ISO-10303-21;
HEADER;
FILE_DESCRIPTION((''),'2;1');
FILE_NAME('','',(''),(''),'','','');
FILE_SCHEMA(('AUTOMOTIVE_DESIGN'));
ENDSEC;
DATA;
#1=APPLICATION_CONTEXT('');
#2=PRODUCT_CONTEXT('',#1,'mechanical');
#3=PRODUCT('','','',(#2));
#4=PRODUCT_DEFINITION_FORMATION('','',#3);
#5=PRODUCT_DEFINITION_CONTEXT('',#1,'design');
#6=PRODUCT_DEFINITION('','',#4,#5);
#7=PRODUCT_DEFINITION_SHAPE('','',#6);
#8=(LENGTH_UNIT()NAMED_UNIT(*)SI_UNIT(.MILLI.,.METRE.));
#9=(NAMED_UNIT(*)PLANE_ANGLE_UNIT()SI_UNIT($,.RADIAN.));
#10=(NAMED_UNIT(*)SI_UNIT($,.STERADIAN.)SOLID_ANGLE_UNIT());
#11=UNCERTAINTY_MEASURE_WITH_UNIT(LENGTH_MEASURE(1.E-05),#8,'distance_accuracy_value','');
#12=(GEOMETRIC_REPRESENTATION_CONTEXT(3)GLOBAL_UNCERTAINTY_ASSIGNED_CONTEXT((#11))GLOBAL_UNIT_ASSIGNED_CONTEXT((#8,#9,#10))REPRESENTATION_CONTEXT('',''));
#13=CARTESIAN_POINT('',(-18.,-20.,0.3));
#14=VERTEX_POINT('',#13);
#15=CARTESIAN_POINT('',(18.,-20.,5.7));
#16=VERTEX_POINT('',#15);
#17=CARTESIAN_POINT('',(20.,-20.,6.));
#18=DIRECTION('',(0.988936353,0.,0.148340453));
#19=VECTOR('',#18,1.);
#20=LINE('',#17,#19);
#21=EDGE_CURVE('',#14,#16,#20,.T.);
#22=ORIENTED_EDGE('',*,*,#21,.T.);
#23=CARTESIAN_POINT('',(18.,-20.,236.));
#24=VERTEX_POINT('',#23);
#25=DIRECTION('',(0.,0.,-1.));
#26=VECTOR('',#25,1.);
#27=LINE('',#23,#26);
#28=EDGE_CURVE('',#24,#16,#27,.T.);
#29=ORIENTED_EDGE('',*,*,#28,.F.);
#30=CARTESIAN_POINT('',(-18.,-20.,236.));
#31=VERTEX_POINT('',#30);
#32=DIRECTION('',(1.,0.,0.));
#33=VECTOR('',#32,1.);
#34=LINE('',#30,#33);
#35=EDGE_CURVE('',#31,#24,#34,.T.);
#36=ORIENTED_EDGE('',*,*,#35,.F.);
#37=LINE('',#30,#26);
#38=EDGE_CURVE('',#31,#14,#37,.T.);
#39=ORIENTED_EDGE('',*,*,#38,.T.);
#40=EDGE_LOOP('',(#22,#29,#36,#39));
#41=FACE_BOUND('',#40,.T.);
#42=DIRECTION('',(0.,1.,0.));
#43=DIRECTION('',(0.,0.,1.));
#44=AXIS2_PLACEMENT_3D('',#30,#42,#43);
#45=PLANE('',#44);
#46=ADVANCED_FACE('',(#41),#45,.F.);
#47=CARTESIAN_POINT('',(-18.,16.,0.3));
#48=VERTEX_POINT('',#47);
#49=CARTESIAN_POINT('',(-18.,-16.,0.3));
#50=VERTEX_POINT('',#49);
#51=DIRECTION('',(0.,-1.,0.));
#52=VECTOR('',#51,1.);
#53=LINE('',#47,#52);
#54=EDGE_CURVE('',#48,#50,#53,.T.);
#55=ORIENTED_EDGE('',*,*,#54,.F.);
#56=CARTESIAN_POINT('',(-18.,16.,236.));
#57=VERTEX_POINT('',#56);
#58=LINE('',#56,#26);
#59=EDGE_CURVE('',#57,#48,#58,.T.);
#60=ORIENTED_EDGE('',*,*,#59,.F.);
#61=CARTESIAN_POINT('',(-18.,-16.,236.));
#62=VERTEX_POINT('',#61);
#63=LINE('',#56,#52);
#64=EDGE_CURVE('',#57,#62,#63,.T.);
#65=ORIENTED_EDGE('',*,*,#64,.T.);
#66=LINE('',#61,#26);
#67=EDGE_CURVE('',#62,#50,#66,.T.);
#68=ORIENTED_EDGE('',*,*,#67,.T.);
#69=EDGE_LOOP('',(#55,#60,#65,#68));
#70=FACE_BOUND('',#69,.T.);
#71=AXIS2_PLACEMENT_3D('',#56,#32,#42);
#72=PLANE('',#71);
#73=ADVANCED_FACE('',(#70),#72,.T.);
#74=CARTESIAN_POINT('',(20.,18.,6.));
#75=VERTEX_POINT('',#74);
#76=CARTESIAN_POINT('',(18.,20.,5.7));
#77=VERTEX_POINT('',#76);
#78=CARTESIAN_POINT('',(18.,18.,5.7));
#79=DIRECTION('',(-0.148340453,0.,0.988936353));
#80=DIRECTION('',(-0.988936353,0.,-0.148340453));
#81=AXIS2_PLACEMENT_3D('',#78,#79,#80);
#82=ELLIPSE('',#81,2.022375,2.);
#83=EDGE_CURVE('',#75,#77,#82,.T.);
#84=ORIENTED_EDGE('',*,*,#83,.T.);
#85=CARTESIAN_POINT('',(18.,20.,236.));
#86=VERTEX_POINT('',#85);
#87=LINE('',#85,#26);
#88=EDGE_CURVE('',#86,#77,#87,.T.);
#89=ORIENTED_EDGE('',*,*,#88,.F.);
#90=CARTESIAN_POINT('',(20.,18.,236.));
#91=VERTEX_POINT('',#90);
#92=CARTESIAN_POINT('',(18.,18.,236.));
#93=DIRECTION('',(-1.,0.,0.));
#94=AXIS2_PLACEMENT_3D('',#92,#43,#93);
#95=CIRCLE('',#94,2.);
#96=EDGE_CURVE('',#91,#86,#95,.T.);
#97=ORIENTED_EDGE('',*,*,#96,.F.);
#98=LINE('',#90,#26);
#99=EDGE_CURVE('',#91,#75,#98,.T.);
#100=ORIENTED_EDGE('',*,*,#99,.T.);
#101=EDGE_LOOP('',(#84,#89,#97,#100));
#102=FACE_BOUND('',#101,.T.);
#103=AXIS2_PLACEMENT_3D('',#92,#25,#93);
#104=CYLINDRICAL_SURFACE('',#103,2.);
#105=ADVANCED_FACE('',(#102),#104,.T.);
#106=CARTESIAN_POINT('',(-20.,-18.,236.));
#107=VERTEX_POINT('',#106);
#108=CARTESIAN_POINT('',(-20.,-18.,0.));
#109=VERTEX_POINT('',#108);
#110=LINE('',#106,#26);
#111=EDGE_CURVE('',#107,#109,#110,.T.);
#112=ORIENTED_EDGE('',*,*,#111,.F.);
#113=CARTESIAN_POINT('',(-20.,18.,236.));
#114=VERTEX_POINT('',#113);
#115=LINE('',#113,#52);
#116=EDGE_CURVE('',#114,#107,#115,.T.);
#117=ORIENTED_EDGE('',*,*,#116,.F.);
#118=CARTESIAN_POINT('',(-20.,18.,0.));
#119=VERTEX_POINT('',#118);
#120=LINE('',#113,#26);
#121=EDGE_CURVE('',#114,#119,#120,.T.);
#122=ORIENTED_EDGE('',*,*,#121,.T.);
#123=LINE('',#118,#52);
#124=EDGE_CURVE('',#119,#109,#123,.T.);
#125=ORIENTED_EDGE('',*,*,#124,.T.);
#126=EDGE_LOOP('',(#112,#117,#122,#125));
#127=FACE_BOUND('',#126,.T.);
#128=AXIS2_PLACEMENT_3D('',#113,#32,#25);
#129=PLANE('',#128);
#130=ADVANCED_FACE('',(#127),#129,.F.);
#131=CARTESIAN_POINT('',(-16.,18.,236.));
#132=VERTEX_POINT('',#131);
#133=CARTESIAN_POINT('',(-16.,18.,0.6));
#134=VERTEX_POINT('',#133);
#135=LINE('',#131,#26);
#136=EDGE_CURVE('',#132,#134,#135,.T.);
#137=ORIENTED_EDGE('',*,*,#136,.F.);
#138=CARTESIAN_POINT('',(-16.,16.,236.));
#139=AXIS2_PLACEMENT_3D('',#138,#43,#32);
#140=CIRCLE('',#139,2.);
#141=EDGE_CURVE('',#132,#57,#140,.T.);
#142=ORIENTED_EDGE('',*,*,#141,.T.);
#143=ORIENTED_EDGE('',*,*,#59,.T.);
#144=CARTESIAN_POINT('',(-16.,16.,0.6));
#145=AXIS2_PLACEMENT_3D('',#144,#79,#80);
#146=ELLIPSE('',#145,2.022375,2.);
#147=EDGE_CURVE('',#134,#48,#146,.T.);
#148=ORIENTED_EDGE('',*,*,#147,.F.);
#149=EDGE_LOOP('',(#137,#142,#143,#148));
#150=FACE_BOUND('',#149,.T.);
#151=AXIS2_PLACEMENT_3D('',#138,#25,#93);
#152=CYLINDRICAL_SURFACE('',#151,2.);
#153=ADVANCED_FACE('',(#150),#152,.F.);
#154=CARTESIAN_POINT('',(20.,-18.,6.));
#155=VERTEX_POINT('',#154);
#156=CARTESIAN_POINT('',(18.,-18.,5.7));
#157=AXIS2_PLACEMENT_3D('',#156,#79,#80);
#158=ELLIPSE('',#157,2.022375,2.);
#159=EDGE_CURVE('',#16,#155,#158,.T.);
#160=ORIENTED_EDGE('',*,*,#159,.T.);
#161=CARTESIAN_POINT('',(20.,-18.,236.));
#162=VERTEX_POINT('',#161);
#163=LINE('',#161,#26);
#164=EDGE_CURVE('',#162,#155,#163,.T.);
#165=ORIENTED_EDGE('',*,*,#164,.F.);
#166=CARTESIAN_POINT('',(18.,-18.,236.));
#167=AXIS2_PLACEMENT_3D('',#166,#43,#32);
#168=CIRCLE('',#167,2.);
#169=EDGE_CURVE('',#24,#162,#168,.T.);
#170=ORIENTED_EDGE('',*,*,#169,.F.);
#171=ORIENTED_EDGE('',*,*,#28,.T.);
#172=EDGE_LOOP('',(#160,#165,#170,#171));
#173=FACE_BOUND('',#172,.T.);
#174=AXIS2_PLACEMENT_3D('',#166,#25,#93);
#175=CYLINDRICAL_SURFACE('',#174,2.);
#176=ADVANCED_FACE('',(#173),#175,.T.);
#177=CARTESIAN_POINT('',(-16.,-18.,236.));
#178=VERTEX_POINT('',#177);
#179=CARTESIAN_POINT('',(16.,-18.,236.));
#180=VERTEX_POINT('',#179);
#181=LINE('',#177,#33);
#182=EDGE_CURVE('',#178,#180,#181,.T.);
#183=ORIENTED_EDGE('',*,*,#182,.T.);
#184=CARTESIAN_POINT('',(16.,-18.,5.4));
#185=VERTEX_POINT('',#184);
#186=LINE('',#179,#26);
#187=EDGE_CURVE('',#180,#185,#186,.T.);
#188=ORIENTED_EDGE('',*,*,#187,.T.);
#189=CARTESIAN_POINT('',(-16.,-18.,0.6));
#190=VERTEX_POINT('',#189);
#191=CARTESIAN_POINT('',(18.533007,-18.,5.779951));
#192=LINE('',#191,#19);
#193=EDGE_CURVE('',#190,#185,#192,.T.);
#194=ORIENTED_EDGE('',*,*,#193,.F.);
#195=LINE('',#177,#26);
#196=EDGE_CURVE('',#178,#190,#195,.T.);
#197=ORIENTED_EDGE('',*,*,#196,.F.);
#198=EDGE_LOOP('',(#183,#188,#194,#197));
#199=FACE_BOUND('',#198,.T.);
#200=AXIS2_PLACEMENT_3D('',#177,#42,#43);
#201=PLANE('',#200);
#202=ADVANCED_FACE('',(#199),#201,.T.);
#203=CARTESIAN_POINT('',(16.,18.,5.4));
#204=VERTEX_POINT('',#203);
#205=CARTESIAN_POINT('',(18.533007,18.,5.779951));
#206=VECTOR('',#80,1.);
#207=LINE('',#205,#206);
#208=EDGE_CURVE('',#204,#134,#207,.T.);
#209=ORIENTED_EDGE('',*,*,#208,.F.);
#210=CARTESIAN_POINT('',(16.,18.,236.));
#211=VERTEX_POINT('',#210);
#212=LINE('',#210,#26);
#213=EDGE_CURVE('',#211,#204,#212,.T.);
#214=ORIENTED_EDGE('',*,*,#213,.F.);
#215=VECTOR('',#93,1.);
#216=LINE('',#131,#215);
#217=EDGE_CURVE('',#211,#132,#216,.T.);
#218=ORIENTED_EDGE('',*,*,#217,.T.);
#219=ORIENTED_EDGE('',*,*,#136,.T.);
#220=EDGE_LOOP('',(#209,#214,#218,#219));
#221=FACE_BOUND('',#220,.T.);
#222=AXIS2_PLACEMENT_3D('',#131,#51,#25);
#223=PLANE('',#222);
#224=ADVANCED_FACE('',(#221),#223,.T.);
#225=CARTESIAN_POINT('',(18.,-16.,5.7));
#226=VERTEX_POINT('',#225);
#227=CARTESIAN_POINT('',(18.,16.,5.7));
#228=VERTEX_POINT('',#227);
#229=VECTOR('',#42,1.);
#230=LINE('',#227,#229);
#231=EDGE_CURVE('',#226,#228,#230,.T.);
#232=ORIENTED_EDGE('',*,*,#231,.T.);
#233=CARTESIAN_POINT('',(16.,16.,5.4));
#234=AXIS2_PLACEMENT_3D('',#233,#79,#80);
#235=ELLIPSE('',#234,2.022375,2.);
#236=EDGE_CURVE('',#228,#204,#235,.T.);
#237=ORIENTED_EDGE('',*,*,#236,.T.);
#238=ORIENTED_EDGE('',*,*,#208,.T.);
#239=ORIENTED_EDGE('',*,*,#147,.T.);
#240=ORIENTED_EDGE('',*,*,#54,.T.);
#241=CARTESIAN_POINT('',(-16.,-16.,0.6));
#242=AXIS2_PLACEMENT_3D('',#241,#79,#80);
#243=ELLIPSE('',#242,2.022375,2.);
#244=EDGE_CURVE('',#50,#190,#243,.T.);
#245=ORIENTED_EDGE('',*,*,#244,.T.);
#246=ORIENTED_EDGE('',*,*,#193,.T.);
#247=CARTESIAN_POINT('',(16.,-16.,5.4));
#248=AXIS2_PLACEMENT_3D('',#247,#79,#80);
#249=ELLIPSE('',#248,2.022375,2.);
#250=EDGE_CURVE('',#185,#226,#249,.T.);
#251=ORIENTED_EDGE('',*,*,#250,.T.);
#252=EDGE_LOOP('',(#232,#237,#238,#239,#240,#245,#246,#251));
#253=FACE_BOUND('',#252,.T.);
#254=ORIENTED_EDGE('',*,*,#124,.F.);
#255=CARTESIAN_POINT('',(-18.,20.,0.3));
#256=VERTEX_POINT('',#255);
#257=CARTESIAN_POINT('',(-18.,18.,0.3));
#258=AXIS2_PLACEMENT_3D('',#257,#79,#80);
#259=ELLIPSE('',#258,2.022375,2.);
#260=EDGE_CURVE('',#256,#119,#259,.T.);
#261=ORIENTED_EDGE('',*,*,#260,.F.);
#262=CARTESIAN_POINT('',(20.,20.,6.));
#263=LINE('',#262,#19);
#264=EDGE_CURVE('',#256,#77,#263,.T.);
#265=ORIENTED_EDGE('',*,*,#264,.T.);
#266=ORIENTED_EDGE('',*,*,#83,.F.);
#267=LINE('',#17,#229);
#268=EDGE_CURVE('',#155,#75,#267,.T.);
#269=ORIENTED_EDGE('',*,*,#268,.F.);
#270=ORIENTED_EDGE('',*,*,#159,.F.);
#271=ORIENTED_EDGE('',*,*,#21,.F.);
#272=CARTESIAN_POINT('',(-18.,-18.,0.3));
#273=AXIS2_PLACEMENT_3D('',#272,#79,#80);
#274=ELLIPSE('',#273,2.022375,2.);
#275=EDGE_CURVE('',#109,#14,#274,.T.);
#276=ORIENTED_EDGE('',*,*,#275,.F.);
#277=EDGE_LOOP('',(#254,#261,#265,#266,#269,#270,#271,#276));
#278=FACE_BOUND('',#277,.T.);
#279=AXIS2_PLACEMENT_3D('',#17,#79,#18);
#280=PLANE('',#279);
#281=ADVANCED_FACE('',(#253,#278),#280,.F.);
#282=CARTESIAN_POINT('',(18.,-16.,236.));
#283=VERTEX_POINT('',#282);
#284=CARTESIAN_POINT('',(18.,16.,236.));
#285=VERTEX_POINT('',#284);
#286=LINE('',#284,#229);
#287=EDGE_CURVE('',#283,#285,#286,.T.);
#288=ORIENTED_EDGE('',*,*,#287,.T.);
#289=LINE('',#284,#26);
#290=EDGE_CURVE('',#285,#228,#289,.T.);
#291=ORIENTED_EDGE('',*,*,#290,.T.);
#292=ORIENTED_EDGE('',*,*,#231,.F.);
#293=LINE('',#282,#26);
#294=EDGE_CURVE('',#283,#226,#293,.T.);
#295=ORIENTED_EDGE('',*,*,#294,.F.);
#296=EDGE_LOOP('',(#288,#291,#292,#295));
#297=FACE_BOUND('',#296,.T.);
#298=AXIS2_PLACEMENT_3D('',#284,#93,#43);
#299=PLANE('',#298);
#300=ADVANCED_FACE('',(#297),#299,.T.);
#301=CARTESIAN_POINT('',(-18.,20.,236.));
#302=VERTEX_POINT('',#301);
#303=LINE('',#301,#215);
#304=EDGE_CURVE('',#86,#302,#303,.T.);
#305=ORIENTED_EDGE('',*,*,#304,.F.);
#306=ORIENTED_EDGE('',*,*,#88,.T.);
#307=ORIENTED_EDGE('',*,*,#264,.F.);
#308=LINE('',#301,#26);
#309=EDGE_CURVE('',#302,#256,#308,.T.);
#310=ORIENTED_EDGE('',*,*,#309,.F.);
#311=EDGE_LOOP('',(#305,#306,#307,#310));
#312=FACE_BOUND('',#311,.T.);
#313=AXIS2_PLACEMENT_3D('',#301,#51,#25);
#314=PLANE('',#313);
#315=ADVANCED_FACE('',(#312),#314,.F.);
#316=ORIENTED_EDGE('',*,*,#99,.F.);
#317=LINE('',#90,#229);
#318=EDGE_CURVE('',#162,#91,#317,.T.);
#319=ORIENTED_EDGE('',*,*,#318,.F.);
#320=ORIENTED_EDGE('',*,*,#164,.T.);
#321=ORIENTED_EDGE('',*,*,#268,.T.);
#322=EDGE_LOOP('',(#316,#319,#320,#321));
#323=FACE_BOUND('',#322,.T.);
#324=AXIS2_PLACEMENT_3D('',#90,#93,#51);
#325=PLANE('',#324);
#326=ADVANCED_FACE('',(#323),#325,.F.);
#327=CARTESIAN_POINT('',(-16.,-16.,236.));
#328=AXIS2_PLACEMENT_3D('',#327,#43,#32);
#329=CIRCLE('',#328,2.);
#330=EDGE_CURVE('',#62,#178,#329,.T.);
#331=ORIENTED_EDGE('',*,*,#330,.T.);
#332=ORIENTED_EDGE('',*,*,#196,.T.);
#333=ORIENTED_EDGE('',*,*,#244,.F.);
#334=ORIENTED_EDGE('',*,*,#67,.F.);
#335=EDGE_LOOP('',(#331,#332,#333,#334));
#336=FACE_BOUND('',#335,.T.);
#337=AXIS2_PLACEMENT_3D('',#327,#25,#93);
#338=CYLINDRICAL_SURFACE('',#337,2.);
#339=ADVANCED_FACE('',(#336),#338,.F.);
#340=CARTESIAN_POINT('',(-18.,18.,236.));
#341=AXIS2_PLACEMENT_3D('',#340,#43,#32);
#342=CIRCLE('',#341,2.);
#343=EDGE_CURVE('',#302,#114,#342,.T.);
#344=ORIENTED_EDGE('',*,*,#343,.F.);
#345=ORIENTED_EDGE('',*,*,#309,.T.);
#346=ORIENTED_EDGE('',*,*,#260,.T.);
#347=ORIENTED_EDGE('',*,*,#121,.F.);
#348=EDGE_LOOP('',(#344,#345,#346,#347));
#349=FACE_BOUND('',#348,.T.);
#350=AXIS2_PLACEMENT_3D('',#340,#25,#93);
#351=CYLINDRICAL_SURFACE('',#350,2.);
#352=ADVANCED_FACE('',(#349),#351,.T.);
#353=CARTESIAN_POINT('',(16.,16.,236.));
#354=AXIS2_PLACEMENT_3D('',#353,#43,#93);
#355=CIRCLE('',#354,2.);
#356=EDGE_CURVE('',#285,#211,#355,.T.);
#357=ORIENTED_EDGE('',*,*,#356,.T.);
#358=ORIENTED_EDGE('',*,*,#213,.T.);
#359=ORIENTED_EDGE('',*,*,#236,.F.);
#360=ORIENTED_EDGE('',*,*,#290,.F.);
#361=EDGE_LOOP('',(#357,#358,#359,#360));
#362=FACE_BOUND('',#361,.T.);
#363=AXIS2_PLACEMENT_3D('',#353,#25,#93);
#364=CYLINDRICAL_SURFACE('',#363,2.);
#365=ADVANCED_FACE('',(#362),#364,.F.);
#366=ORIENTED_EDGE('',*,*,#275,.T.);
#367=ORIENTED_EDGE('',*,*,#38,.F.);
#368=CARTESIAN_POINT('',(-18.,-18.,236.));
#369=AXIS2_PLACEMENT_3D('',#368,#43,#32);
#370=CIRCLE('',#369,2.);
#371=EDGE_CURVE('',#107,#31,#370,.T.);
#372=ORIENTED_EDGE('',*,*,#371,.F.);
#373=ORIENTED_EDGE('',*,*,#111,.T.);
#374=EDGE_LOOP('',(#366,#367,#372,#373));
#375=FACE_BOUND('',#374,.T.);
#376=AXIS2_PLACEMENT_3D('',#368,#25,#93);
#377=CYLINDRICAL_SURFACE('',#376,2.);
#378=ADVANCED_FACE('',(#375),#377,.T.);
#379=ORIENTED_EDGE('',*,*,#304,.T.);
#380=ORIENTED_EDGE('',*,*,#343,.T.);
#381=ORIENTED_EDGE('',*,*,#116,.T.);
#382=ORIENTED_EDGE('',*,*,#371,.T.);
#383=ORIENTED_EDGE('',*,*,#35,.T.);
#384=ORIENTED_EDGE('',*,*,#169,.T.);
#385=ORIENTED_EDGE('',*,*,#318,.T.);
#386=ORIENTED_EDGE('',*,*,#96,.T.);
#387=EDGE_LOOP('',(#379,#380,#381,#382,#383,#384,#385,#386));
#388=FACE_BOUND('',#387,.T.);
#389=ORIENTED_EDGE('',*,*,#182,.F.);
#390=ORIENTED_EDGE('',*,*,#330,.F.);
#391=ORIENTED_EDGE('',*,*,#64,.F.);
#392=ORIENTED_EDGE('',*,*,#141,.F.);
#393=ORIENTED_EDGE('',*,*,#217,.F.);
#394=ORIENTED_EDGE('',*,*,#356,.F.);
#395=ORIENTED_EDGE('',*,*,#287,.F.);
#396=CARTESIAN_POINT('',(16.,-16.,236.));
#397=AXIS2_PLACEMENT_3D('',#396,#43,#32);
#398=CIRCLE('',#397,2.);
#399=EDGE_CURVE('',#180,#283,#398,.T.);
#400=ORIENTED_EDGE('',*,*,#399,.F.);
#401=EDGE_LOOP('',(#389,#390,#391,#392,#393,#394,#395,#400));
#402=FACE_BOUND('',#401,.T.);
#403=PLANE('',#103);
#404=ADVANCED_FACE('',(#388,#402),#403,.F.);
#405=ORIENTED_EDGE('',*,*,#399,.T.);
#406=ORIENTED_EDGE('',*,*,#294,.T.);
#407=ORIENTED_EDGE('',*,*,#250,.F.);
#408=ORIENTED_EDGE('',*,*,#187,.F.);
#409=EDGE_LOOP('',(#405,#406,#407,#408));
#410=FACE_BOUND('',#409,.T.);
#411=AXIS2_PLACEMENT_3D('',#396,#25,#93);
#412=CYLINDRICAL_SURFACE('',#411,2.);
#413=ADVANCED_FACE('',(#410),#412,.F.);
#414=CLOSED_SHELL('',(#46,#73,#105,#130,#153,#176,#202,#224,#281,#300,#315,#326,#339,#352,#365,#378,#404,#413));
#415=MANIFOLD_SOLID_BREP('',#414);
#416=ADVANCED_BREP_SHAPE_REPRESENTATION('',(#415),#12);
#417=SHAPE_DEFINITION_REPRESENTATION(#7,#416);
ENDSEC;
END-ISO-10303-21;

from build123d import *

# Parameters (mm, degrees)
EXTRUDE_1_DEPTH     = 236
CUT_EXTRUDE_1_DEPTH = 241.199916736


with BuildPart() as part:
    # Эскиз1 → Бобышка-Вытянуть1 (new body)
    with BuildSketch(Plane.XY):
        with BuildLine():
            Line((-18, 20), (18, 20))
            ThreePointArc((18, 20), (19.414213562, 19.414213562), (20, 18))
            Line((20, 18), (20, -18))
            ThreePointArc((20, -18), (19.414213562, -19.414213562), (18, -20))
            Line((18, -20), (-18, -20))
            ThreePointArc((-18, -20), (-19.414213562, -19.414213562), (-20, -18))
            Line((-20, -18), (-20, 18))
            ThreePointArc((-20, 18), (-19.414213562, 19.414213562), (-18, 20))
        make_face()
        with BuildLine():
            Line((-16, 18), (16, 18))
            ThreePointArc((16, 18), (17.414213562, 17.414213562), (18, 16))
            Line((18, 16), (18, -16))
            ThreePointArc((18, -16), (17.414213562, -17.414213562), (16, -18))
            Line((16, -18), (-16, -18))
            ThreePointArc((-16, -18), (-17.414213562, -17.414213562), (-18, -16))
            Line((-18, -16), (-18, 16))
            ThreePointArc((-18, 16), (-17.414213562, 17.414213562), (-16, 18))
        make_face(mode=Mode.SUBTRACT)
    extrude(amount=EXTRUDE_1_DEPTH)

    # Эскиз2 → Вырез-Вытянуть1 (cut, through all)
    with BuildSketch(Plane(origin=(0, 20, 0), x_dir=(1, 0, 0), z_dir=(0, 1, 0))):
        Polygon((20, -6), (-20, 0), (20, 0), align=None)
    extrude(amount=-CUT_EXTRUDE_1_DEPTH, mode=Mode.SUBTRACT)


solid = part.part
